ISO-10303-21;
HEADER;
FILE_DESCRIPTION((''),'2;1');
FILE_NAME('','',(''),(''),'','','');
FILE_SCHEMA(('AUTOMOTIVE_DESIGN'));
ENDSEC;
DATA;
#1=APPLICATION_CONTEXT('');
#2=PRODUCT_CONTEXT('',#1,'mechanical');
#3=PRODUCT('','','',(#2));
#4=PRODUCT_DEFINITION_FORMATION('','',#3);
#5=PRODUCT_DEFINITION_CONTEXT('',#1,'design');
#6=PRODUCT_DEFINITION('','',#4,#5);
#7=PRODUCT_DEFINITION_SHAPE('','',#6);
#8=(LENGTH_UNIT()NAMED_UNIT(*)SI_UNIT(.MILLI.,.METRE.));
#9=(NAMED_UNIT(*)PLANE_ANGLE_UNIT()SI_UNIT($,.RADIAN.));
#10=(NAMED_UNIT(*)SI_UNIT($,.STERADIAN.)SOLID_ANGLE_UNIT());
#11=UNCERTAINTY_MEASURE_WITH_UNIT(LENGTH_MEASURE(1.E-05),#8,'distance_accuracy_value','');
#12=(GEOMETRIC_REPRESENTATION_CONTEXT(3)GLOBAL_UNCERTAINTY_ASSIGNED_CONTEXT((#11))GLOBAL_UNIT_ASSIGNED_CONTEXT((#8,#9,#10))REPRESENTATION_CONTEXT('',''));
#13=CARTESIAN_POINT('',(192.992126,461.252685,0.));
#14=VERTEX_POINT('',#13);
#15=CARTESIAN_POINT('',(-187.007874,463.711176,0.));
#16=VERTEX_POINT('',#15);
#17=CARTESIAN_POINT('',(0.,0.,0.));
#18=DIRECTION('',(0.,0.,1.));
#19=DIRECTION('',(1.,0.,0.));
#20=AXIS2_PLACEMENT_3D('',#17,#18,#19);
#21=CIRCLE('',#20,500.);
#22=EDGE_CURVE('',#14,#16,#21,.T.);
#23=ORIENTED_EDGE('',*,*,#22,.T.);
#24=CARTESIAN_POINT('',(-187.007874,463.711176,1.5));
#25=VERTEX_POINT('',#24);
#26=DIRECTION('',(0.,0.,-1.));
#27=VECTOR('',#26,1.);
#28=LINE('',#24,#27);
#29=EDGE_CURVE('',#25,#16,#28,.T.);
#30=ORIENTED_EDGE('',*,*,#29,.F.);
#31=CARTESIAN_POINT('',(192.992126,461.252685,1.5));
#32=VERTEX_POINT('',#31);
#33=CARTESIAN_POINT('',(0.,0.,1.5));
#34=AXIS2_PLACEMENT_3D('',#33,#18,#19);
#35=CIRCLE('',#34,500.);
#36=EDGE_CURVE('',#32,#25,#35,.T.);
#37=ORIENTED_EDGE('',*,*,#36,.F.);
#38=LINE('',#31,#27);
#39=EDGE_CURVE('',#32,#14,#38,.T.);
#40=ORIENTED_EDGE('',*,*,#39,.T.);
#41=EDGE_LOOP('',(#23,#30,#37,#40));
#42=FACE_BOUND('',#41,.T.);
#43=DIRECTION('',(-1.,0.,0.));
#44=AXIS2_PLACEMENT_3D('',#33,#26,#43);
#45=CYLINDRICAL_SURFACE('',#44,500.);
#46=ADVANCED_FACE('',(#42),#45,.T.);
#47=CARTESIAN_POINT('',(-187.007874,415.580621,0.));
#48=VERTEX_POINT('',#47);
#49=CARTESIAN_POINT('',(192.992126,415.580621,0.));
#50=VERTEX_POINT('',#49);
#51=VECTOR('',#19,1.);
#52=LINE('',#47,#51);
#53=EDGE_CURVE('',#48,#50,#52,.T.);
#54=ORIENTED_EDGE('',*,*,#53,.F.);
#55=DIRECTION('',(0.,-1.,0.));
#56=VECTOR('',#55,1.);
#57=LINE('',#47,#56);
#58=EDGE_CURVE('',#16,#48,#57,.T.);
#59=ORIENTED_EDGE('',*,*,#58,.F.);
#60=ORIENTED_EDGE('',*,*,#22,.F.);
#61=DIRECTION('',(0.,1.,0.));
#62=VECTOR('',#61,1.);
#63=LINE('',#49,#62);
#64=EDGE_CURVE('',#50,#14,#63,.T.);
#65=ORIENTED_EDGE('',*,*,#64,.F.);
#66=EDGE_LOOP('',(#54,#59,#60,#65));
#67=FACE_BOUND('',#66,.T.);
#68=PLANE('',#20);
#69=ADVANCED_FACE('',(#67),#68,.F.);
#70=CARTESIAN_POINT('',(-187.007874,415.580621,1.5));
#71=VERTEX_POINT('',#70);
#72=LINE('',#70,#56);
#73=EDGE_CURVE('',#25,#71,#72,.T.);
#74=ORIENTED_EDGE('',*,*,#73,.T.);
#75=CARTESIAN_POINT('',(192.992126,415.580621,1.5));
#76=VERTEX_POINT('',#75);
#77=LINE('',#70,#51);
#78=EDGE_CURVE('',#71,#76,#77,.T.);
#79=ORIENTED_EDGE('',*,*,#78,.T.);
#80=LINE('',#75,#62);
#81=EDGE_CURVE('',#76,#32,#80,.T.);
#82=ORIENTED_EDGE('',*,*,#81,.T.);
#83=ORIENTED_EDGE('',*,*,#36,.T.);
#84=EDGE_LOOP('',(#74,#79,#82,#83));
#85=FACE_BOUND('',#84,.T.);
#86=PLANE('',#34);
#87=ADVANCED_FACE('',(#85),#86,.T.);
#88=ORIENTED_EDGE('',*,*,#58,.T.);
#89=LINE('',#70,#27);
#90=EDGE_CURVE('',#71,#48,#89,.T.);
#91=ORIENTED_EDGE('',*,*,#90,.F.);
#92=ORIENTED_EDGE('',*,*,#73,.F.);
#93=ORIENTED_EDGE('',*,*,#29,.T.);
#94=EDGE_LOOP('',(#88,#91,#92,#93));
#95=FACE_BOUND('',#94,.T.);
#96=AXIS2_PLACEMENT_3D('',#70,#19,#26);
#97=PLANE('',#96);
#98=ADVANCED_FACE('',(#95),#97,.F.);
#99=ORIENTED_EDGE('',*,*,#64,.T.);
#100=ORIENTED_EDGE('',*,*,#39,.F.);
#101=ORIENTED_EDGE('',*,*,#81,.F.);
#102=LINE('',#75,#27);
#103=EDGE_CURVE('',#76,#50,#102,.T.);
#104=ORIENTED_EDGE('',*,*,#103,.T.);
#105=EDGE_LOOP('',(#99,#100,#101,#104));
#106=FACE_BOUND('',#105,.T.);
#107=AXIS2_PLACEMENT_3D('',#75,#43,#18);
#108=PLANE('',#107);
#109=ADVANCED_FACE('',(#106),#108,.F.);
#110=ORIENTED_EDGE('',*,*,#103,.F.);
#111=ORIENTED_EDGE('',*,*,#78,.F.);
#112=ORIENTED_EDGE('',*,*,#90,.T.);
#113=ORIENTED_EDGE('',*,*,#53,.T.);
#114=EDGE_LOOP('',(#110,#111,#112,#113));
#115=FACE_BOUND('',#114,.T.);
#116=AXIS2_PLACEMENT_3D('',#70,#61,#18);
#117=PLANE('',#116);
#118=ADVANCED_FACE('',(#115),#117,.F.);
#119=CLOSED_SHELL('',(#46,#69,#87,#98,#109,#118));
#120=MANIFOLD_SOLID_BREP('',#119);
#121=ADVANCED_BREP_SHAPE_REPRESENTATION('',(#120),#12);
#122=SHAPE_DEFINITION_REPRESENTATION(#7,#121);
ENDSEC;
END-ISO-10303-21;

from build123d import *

# Parameters (mm, degrees)
BOSS_EXTRUDE1_DEPTH = 1.5


with BuildPart() as part:
    # Sketch1 → Boss-Extrude1 (new body)
    with BuildSketch(Plane.XY):
        with BuildLine():
            Line((-187.007874016, 415.580621179), (192.992125984, 415.580621179))
            Line((192.992125984, 415.580621179), (192.992125984, 461.252684879))
            ThreePointArc((192.992125984, 461.252684879), (3.234789477, 499.989536028), (-187.007874016, 463.711176333))
            Line((-187.007874016, 463.711176333), (-187.007874016, 415.580621179))
        make_face()
    extrude(amount=BOSS_EXTRUDE1_DEPTH)


solid = part.part
